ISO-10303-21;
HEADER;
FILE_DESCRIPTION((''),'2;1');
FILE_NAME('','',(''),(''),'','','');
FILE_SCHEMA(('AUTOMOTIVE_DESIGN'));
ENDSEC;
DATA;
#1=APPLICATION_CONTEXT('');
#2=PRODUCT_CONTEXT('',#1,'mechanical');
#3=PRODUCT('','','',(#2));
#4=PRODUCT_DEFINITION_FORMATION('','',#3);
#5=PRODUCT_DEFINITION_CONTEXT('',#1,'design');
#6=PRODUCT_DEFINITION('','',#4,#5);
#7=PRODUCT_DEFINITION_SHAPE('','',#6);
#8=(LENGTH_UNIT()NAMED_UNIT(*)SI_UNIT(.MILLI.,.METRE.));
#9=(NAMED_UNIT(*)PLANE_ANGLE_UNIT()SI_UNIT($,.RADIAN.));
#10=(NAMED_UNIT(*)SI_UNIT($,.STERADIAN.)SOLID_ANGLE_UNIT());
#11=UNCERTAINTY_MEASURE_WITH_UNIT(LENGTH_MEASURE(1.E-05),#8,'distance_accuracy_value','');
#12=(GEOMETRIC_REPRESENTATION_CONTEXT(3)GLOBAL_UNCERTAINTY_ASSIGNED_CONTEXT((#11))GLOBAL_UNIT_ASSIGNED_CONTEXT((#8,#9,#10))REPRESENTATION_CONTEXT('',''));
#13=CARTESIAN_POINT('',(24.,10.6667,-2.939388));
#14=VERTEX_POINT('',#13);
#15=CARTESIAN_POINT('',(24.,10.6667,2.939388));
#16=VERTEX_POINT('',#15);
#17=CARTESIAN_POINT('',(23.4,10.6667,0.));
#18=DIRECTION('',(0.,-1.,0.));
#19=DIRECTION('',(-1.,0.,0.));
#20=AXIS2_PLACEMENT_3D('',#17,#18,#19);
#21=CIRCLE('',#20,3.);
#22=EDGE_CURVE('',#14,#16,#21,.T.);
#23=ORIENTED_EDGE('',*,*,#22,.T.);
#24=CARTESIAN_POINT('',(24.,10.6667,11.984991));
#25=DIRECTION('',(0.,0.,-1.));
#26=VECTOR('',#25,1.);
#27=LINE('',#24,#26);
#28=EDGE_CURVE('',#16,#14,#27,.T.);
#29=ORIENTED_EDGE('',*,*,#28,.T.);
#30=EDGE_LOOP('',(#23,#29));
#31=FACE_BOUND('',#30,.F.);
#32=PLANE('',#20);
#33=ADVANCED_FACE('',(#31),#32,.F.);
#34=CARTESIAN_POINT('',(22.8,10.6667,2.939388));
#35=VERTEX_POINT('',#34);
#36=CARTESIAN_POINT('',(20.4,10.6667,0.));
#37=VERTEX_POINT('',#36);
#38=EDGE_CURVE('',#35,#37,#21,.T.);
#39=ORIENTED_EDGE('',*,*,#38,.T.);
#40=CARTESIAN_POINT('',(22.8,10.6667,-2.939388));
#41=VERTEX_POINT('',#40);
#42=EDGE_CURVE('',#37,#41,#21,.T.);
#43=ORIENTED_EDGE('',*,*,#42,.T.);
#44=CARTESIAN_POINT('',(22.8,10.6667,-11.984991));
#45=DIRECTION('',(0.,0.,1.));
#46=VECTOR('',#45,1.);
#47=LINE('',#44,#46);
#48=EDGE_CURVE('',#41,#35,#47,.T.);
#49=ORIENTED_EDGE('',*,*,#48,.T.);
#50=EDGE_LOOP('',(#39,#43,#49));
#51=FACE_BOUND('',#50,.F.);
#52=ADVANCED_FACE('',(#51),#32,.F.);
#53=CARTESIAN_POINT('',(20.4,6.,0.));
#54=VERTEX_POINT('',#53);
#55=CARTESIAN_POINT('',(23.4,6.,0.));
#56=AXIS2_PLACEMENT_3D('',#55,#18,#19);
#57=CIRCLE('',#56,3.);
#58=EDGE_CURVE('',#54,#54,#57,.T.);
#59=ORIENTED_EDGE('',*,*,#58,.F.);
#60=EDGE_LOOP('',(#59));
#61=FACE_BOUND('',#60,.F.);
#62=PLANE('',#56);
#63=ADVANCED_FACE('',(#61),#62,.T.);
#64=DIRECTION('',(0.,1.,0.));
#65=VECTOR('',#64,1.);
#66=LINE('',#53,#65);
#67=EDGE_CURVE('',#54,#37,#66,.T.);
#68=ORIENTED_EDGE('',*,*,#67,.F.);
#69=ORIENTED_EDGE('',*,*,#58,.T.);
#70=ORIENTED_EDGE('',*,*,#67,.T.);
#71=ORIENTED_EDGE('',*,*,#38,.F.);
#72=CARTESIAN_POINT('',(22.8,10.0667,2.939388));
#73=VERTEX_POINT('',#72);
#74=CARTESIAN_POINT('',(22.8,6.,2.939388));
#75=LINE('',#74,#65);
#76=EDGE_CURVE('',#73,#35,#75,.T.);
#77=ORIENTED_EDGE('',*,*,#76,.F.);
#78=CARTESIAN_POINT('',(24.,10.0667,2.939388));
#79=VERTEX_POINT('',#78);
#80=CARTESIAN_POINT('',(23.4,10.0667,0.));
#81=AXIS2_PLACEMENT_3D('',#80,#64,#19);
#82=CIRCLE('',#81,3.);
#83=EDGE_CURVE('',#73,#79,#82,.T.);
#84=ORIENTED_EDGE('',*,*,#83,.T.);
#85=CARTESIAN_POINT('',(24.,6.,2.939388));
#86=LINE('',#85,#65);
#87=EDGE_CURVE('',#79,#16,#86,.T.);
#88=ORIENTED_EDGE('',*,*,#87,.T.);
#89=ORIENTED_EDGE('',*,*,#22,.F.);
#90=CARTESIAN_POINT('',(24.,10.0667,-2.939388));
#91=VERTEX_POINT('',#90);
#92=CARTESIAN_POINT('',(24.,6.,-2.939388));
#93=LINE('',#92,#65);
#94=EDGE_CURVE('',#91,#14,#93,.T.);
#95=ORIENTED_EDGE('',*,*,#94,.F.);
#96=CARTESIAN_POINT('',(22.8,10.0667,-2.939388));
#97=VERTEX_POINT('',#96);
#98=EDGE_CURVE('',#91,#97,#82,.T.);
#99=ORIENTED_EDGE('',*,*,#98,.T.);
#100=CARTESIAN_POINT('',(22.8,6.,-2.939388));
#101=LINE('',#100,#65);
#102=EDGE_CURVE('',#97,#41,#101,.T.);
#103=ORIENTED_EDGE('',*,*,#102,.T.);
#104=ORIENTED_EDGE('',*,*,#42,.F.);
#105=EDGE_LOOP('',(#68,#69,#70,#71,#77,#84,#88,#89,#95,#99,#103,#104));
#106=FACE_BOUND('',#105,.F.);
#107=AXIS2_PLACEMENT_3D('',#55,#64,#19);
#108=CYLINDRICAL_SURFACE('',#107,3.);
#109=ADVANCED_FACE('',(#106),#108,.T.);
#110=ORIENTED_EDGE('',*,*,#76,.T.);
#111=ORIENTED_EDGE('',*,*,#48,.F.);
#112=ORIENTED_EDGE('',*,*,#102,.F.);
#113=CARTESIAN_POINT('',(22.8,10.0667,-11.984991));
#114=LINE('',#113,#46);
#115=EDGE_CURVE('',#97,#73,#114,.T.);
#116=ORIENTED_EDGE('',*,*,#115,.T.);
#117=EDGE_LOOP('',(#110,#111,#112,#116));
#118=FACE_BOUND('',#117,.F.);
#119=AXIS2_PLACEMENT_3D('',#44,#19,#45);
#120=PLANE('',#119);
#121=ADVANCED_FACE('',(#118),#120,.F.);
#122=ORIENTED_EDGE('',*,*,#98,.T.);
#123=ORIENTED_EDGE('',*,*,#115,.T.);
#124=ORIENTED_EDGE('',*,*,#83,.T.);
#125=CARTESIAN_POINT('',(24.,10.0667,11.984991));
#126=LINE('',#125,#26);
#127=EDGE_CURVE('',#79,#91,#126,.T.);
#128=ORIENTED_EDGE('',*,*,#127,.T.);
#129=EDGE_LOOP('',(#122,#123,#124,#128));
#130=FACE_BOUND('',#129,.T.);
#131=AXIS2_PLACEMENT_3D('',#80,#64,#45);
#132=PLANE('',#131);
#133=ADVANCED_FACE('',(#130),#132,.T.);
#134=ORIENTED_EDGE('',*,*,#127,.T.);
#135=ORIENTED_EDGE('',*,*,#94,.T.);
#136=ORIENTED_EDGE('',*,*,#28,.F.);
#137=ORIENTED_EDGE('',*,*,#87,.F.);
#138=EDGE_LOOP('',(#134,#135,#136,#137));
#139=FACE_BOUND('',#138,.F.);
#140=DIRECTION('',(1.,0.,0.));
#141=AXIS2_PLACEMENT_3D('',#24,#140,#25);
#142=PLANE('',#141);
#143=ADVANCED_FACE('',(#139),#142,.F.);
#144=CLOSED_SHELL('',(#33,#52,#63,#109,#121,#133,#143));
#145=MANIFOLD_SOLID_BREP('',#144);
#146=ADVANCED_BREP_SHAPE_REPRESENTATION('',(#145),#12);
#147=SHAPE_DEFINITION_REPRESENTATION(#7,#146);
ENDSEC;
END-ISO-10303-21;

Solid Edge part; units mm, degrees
sketch "Sketch1" plane through (0, 0, 0) normal (0, 0, 1) x (1, 0, 0)
  line L0 (23.4, 6) -> (20.4, 6)
  line L1 (20.4, 6) -> (20.4, 10.6667)
  line L2 (20.4, 10.6667) -> (23.4, 10.6667)
  line L3 (23.4, 10.6667) -> (23.4, 6)
revolve "RevolvedProtrusion1" add sketch "Sketch1" angle 360 about axis through (23.4, 10.6667, 0) along (0, -1, 0)
cosmetic_thread "Thread1" size "M6"
sketch "Sketch2" plane through (23.4, 10.6667, 0) normal (0, 1, 0) x (-1, 0, 0)
  line L0 (-0.6, 11.985) -> (-0.6, -11.985)
  arc A0 (-0.6, -11.985) -> (0.6, -11.985) centre (0, 0) ccw
  line L1 (0.6, -11.985) -> (0.6, 11.985)
  arc A1 (0.6, 11.985) -> (-0.6, 11.985) centre (0, 0) ccw
extrude "Cutout1" cut sketch "Sketch2" against normal blind 0.6
properties part number "UCP201 GB/T7810-1995_PART6"
